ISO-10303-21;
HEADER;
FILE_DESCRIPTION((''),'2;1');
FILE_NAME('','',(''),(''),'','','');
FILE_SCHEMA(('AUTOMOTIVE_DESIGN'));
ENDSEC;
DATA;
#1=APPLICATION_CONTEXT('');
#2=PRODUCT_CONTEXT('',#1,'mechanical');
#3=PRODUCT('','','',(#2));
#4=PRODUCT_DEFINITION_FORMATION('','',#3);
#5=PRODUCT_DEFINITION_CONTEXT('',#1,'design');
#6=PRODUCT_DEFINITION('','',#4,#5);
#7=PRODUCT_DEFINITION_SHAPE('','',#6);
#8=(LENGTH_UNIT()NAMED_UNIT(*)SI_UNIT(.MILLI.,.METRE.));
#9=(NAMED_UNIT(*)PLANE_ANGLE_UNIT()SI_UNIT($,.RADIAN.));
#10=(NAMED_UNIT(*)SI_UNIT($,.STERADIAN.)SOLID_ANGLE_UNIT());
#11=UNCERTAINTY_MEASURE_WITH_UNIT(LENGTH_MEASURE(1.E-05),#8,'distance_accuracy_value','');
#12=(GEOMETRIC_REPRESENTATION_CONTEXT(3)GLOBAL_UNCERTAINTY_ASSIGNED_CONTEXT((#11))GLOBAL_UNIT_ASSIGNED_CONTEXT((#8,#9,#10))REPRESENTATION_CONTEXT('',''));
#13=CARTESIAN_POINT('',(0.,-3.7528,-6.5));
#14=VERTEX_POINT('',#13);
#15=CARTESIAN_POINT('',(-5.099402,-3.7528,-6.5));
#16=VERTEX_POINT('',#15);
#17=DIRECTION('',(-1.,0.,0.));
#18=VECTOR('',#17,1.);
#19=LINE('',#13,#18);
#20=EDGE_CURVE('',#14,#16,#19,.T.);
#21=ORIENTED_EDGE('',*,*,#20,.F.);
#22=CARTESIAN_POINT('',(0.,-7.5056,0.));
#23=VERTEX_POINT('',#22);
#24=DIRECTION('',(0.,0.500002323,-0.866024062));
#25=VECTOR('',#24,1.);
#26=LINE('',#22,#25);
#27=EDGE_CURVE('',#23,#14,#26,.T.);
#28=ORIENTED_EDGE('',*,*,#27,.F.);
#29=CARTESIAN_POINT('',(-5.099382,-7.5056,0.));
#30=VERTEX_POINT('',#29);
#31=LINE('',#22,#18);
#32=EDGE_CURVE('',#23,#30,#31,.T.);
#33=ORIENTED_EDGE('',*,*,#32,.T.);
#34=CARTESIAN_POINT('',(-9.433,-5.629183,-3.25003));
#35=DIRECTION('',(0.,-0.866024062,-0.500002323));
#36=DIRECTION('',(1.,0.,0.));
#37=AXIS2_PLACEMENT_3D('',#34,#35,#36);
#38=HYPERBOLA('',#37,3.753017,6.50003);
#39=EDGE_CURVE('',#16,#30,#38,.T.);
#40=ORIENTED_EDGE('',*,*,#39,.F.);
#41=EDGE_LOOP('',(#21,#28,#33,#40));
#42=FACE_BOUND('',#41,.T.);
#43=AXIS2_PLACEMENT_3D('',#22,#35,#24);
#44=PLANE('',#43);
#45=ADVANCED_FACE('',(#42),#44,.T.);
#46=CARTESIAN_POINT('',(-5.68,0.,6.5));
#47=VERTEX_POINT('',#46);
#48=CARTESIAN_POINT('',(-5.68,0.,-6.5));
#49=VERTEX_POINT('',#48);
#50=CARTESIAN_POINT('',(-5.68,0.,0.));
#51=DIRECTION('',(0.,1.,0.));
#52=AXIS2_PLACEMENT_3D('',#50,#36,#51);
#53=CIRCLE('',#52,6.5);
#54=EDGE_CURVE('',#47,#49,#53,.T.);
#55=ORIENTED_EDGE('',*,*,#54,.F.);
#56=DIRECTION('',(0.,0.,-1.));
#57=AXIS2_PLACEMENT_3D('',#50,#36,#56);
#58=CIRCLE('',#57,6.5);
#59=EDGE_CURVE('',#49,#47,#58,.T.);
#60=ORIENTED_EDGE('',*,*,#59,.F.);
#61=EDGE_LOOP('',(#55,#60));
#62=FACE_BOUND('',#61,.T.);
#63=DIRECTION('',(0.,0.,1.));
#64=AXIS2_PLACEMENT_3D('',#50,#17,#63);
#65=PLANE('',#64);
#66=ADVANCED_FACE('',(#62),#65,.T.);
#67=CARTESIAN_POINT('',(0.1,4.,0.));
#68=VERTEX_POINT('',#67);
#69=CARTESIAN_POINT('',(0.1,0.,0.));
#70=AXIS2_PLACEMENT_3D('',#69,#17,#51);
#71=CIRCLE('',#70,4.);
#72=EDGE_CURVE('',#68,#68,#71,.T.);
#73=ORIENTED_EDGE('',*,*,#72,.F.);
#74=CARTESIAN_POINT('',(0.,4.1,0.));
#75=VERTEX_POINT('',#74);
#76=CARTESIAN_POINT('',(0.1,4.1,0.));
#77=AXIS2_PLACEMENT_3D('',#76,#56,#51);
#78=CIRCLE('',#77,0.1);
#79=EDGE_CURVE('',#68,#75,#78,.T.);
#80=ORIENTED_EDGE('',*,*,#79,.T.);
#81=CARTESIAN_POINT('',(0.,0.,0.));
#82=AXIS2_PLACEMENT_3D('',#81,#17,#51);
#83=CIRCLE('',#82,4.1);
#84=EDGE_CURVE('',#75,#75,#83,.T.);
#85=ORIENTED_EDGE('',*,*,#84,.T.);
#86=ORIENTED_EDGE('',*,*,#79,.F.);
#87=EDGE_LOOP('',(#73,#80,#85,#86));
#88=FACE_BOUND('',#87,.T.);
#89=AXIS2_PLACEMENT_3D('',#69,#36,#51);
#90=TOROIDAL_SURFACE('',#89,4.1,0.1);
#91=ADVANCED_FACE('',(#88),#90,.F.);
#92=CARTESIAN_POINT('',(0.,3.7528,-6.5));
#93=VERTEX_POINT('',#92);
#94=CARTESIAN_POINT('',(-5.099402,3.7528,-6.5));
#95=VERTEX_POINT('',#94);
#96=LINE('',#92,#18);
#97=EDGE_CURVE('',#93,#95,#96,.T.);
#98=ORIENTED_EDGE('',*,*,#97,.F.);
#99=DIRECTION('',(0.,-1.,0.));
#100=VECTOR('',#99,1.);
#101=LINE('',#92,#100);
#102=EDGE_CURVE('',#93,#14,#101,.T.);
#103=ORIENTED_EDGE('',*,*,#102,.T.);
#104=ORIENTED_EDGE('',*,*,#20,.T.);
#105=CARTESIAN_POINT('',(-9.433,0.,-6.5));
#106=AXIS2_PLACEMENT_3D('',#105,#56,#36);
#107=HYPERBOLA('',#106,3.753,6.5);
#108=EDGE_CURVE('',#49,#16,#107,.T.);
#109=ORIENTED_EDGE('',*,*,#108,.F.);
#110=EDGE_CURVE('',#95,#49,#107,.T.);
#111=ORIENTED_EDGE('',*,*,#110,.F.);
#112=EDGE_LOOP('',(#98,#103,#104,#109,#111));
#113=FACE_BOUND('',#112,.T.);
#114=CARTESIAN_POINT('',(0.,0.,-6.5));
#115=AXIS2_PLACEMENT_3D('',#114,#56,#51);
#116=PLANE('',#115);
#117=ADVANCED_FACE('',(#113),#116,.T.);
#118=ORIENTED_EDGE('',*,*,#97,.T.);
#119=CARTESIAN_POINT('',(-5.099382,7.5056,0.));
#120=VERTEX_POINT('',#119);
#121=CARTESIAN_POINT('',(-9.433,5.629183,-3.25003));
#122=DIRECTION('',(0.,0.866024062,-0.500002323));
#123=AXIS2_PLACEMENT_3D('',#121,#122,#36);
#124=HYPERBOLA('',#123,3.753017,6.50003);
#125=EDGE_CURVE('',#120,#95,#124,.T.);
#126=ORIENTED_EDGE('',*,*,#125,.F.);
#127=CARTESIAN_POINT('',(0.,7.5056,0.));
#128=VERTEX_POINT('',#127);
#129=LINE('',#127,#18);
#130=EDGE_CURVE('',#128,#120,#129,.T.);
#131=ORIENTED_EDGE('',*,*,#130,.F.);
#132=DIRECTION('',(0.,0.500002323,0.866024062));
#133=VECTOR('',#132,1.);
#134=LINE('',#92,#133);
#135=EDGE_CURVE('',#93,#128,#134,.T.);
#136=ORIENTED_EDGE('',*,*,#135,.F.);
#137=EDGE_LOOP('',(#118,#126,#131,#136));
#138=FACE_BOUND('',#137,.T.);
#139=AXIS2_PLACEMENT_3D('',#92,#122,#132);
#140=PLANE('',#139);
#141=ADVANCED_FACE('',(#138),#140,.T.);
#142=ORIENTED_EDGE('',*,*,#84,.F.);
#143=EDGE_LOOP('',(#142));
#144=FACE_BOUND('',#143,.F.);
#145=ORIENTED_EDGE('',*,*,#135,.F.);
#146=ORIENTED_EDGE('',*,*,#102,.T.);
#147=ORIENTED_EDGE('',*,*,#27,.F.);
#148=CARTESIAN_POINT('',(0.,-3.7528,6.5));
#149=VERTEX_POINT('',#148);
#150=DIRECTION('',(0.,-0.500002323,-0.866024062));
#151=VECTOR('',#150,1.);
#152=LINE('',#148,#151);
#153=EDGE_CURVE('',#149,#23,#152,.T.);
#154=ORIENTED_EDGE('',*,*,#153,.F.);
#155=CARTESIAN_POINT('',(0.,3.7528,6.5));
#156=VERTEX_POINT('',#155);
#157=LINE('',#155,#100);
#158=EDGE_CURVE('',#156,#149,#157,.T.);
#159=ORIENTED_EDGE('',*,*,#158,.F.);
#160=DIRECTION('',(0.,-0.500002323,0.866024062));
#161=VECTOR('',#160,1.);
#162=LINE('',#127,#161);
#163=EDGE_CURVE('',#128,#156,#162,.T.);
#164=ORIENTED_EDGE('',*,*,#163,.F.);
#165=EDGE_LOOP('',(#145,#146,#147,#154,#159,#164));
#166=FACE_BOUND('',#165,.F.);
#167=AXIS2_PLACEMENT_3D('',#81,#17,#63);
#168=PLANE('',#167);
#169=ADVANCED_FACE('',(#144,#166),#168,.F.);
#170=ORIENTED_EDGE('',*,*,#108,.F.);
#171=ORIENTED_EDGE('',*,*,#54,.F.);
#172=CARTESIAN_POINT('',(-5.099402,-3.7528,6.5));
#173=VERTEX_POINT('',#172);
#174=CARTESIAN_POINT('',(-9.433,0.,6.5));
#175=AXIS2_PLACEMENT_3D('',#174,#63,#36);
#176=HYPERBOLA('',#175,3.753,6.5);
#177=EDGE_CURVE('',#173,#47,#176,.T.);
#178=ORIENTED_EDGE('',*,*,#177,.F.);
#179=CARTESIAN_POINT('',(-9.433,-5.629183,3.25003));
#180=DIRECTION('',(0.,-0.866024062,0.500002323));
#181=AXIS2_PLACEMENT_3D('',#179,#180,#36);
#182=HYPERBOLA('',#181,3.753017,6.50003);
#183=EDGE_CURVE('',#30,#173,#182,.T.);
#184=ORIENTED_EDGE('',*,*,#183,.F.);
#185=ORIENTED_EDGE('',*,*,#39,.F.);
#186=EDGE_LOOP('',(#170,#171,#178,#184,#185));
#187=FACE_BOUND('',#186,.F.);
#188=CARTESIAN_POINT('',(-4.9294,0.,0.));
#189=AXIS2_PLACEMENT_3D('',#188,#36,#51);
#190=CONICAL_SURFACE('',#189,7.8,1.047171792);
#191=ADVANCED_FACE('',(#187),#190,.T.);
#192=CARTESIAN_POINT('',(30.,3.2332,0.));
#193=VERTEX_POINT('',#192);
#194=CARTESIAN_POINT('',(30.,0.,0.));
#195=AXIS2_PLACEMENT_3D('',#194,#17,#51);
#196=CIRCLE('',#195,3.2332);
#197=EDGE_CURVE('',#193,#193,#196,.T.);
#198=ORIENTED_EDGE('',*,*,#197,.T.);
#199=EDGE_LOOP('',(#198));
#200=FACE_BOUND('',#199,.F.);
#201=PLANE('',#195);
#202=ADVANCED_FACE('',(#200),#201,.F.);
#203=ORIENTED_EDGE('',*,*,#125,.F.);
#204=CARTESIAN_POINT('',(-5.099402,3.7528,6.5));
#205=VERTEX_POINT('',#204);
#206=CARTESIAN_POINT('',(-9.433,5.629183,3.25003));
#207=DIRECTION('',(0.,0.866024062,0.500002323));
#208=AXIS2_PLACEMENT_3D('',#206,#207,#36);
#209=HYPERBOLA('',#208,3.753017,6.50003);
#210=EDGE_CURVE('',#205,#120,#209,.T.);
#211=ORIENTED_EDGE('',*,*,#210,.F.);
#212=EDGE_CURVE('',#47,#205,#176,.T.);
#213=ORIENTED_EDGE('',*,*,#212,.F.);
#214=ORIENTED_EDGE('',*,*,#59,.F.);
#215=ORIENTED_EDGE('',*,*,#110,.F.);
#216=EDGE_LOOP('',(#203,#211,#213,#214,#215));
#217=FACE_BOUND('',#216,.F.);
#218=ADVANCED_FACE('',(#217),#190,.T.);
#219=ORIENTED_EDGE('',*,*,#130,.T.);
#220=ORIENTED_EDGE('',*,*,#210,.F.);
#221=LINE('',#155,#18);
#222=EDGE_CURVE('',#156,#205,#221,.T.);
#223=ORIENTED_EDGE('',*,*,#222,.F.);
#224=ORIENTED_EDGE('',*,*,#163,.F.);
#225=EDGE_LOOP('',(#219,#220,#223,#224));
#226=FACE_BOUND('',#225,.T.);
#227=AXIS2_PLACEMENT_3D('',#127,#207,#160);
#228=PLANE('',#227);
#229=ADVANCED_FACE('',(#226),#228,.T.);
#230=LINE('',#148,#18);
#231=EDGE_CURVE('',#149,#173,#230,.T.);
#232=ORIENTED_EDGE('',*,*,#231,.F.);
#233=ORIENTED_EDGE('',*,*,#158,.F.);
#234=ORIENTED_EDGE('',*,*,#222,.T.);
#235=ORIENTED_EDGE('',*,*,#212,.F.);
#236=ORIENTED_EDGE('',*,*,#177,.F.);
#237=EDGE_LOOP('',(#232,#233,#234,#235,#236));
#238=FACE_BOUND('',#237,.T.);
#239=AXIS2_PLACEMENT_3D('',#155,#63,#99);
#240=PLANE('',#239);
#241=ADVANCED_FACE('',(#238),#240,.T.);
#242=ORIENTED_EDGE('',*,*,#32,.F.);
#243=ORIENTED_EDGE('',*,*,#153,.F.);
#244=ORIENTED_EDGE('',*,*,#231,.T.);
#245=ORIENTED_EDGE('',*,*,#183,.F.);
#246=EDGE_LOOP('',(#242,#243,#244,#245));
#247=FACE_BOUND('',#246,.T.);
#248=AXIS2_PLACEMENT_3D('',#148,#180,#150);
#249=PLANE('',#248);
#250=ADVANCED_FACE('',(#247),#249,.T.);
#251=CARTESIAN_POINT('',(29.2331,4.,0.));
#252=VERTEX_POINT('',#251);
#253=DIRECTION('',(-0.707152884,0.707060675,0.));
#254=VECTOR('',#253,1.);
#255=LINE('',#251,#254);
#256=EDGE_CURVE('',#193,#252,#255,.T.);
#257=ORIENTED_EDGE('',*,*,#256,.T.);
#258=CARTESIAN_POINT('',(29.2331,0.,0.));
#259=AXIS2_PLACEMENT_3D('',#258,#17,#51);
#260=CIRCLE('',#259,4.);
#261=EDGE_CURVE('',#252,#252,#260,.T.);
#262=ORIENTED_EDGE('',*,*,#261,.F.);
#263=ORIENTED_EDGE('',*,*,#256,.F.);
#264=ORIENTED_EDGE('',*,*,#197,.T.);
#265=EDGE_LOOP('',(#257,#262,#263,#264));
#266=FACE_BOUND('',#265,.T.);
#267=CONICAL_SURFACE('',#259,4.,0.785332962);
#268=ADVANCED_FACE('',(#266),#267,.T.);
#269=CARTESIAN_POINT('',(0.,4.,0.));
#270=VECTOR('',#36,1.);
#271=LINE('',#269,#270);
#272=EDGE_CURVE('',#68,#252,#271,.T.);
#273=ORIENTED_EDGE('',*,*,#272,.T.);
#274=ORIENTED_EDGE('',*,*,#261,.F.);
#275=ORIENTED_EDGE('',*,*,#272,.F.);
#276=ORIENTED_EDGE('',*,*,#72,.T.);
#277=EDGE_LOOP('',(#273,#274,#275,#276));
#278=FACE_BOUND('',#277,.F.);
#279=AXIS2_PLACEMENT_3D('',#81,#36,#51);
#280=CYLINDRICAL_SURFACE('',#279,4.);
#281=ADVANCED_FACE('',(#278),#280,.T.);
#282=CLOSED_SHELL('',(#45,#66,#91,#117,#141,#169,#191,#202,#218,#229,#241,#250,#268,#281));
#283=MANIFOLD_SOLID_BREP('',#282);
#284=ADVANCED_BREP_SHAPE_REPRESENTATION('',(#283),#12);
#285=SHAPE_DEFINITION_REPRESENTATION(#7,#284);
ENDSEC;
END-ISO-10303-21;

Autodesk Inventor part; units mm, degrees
ref_plane "YZ Plane" through (0, 0, 0) normal (1, 0, 0) x (0, 1, 0)
ref_plane "XZ Plane" through (0, 0, 0) normal (0, 1, 0) x (-1, 0, 0)
sketch "Sketch1" plane through (0, 0, 0) normal (0, 0, 1) x (1, 0, 0)
  line L0 (0, 4) -> (30, 4)
  line L1 (30, 4) -> (30, 0)
  line L2 (30, 0) -> (0, 0)
  line L3 (-6, 0) -> (36, 0) projected
  line L4 (0, -0.8) -> (0, 4.8) projected
  line L5 (0, 4) -> (0, 0)
  dimension "d2" = 8
  dimension "d59" = 30
revolve "Body" add sketch "Sketch1" angle 360 about axis through (30, 0, 0) along (-1, 0, 0)
sketch "Sketch2" plane through (0, 0, 0) normal (-1, 0, 0) x (0, 0, 1)
  line L0 (0, 7.5056) -> (6.5, 3.7528)
  line L1 (6.5, 3.7528) -> (6.5, -3.7528)
  line L2 (6.5, -3.7528) -> (0, -7.5056)
  line L3 (0, -7.5056) -> (-6.5, -3.7528)
  line L4 (-6.5, -3.7528) -> (-6.5, 3.7528)
  line L5 (-6.5, 3.7528) -> (0, 7.5056)
  line L6 (-9.1, 0) -> (9.1, 0) projected
  line L7 (0, 10.5078) -> (0, -10.5078) projected
  point P0 (0, 0)
  point P1 (0, 0)
  dimension "d11" = 13
extrude "Head" add sketch "Sketch2" along normal blind 5.68
sketch "Sketch4" plane through (0, 0, 0) normal (0, 0, 1) x (1, 0, 0)
  line L0 (-4.9294, 7.8) -> (-5.68, 6.5)
  line L1 (-1.1, 0) -> (-0.234, 0)
  line L2 (-6.7692, 0) -> (0.8552, 0) projected
  line L3 (-5.68, 7.8) -> (-4.9294, 7.8)
  line L4 (-5.68, 6.5) -> (-5.68, 7.8)
  line L5 (0, 9.36) -> (0, -1.56) projected
  dimension "d65" = 13
  dimension "d67" = 30
  dimension "d68" = 15.6
  dimension "d69" = 5.68
revolve "Chamfer1" cut sketch "Sketch4" angle 360 about axis through (-1.1, 0, 0) along (1, 0, 0)
thread "Thread" size "M8x1.25" class "6g" standard "ISO Metric profile" length 22
chamfer "Chamfer2" distance 0.7668 distance2 0.7669 1 edges at (30, -4, 0) measured on face at (30, -0.998, 0.8842)
fillet "Fillet" radius 0.1 1 edges at (0, -4, 0)
ref_plane "Work Plane1" through (1.525, 0, 0) normal (0, 0, 1) x (1, 0, 0)
equation "\"d2\" = GD"
equation "\"d59\" = NLG"
equation "\"d11\" = SW"
equation "\"d3\" = KOH"
equation "\"d15\" = GEL"
equation "\"d6\" = -0.5 * SPD + 0.5 * GD"
equation "\"d71\" = RR"
equation "\"d65\" = SW"
equation "\"d67\" = ANG1"
equation "\"d68\" = 1.2 * SW"
equation "\"d69\" = KOH"
equation "\"NLG\" = 30"
equation "\"GD\" = NND"
equation "\"BDM\" = NND"
equation "\"KOH\" = 5.68"
equation "\"GEL\" = 22"
equation "\"SW\" = 13"
equation "\"SW0\" = SW"
equation "\"SPD\" = NND - 1.2269 * PTC"
equation "\"SD2\" = NND"
equation "\"SD\" = 0"
equation "\"ANG1\" = 30deg"
equation "\"GAL\" = 0.61345 * PTC"
equation "\"GUL\" = 0.61345 * PTC"
equation "\"RR\" = 0.1"
equation "\"RR1\" = 0.4"
equation "\"GD1\" = THREADDIA - 1.2269 * PTC"
equation "\"THREADDIA\" = 8"
equation "\"TOA\" = 30deg"
equation "\"PTC\" = 1.25"
equation "\"KOH1\" = 3.7"
equation "\"NND\" = 8"
equation "\"E0\" = 1.155 * SW"
properties part number "ANSI B18.2.3.5M - M8 x 1.25 x 30" material "Steel, Mild"
